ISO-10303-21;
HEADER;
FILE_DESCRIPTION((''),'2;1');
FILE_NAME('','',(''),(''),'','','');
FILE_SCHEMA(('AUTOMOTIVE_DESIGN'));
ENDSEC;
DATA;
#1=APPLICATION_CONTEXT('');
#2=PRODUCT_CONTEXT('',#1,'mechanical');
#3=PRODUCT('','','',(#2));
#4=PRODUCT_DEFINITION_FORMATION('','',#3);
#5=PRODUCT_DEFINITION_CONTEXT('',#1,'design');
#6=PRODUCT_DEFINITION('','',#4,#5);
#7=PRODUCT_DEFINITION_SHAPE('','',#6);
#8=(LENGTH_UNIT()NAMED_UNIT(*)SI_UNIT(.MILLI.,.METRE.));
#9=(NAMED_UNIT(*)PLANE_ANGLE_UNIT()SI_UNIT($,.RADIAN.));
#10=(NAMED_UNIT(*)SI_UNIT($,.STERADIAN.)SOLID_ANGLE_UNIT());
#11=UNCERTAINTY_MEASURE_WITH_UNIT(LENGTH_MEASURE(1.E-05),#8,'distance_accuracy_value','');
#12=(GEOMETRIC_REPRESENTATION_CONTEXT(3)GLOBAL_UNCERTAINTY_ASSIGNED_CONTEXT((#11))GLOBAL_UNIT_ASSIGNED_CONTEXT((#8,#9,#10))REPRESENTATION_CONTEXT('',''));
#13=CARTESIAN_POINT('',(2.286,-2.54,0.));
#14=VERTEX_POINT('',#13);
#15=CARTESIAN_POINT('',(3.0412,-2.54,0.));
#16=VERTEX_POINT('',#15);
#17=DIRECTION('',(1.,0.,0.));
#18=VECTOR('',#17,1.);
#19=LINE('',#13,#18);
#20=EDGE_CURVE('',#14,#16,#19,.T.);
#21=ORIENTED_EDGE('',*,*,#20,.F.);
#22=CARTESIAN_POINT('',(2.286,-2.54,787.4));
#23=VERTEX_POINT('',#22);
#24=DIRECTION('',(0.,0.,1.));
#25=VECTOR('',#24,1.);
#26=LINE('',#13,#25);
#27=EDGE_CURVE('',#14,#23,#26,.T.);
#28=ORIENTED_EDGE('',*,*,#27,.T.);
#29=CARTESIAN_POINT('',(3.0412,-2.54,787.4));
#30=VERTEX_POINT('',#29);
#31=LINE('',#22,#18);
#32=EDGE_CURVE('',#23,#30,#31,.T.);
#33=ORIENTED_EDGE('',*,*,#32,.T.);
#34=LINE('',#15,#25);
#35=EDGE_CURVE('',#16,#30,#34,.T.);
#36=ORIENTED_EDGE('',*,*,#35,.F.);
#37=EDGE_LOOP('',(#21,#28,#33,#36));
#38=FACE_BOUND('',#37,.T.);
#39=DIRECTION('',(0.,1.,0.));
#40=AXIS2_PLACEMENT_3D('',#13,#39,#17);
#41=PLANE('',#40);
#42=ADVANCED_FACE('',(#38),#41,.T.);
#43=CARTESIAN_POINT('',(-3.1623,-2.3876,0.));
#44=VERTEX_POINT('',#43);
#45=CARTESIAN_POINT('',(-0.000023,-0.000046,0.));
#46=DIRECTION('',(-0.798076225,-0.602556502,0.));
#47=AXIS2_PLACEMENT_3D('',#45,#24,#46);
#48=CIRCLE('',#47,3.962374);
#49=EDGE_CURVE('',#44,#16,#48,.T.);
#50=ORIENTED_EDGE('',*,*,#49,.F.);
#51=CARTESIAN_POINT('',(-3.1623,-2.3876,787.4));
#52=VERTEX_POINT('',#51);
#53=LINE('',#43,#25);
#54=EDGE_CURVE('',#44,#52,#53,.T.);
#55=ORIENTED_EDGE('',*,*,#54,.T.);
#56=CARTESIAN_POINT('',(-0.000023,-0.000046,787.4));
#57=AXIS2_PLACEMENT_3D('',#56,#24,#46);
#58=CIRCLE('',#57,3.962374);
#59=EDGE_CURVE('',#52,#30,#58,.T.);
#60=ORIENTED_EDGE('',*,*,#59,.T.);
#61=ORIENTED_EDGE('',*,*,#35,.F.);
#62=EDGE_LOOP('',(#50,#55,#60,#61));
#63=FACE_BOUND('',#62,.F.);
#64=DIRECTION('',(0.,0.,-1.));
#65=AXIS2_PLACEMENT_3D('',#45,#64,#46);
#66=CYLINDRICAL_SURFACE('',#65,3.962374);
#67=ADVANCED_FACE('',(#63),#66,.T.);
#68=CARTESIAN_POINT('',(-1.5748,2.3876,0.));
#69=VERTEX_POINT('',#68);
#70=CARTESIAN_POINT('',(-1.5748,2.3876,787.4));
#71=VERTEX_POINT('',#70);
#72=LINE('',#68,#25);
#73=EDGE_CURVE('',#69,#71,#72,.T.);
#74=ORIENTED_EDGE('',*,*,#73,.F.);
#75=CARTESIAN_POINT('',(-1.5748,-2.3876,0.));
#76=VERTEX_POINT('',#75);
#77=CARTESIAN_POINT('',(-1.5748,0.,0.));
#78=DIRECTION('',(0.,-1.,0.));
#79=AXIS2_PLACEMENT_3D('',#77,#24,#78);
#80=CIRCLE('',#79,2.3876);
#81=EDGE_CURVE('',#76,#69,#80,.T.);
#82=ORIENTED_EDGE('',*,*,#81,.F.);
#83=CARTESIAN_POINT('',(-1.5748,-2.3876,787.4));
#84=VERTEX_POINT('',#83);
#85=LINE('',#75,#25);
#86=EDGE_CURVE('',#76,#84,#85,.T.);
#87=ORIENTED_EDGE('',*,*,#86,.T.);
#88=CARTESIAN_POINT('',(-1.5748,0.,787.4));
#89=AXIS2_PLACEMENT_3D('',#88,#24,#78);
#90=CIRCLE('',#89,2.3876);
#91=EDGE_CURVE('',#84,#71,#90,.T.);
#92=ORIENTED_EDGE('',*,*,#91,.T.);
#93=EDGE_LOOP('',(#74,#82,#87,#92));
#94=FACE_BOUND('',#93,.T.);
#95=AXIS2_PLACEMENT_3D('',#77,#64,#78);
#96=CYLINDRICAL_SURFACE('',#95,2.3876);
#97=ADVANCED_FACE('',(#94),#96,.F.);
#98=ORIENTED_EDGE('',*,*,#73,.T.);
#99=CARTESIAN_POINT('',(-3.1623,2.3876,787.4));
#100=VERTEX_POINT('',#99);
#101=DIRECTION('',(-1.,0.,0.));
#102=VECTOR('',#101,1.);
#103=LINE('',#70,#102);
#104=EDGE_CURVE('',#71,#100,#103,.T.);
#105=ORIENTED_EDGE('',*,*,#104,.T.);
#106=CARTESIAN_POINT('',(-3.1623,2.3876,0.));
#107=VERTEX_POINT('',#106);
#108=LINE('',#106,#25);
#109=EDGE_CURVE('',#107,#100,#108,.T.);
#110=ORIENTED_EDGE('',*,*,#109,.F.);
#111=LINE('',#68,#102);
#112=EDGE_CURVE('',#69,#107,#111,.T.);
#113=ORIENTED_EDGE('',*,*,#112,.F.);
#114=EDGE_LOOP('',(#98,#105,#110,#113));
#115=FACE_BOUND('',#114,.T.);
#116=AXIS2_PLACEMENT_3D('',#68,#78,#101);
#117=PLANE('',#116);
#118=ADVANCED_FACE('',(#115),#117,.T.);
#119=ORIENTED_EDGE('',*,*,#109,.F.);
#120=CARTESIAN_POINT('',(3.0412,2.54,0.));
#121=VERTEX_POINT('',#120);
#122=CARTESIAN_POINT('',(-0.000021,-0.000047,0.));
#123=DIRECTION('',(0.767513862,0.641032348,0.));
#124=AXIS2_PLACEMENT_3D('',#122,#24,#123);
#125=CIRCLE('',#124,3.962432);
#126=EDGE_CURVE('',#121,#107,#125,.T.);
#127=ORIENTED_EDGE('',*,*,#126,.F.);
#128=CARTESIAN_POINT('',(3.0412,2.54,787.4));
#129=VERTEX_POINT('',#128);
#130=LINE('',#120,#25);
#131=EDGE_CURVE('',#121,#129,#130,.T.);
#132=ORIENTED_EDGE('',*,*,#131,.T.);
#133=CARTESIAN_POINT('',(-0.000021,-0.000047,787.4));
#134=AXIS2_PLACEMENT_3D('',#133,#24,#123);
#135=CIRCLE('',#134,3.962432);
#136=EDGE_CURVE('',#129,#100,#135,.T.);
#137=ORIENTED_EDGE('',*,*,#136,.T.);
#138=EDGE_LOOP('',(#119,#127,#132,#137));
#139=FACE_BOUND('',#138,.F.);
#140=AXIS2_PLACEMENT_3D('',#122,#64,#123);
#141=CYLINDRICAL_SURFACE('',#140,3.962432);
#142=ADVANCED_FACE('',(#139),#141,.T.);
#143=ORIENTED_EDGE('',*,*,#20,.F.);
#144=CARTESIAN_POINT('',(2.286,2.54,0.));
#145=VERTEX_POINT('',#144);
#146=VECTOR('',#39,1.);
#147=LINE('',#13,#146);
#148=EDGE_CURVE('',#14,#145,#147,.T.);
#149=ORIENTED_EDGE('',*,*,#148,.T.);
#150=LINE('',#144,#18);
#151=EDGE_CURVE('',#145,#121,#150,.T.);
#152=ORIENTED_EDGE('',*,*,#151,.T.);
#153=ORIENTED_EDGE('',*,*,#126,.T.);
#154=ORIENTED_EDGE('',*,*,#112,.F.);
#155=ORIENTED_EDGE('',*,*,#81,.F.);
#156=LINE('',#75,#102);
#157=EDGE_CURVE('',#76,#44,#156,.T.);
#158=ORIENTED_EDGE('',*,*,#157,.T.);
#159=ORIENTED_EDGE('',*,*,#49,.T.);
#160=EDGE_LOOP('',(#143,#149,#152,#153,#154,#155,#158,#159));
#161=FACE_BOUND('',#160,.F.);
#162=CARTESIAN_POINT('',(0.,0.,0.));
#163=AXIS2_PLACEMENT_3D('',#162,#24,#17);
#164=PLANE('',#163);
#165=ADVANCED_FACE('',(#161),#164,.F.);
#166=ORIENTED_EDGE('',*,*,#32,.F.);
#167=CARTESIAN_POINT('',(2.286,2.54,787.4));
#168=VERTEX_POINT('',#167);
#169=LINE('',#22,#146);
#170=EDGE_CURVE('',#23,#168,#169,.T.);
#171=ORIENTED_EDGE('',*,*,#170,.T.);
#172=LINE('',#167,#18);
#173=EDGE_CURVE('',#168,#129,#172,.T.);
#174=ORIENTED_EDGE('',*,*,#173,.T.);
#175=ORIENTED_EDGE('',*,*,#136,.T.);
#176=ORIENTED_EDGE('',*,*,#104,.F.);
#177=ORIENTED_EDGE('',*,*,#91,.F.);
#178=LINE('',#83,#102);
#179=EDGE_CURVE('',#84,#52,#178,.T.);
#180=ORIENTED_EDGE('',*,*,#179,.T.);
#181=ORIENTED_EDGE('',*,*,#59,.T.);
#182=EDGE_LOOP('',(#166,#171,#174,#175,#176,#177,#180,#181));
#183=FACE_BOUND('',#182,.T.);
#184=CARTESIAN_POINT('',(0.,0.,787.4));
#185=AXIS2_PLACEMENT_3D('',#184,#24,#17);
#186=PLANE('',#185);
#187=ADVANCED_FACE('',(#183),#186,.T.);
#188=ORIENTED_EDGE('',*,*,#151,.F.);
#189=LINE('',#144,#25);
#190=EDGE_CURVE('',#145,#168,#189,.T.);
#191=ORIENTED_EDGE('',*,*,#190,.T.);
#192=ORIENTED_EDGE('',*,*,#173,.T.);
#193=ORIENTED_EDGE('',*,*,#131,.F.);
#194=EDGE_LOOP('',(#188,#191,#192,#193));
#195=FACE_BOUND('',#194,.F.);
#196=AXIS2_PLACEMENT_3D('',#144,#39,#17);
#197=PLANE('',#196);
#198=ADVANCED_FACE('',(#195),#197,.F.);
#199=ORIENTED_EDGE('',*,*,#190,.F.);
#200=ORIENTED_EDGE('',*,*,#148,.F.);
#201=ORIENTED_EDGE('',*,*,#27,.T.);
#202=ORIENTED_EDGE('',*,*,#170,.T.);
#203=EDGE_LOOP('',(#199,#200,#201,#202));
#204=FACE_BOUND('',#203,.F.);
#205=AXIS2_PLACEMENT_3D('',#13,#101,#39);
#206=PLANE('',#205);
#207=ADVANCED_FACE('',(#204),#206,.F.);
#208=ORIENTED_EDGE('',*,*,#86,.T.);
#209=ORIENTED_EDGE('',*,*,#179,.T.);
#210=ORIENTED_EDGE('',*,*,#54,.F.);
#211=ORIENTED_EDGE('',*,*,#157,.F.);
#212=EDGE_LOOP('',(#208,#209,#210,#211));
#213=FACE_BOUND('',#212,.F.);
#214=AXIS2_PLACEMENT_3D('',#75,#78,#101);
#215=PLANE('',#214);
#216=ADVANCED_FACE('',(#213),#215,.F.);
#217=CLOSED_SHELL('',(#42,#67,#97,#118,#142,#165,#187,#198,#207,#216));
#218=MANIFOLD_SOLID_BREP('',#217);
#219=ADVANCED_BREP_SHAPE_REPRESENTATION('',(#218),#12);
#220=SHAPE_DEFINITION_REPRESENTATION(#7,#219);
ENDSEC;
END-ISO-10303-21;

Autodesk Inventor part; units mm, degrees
ref_plane "YZ Plane" through (0, 0, 0) normal (1, 0, 0) x (0, 1, 0)
ref_plane "XZ Plane" through (0, 0, 0) normal (0, 1, 0) x (-1, 0, 0)
ref_plane "XY Plane" through (0, 0, 0) normal (0, 0, 1) x (1, 0, 0)
sketch "Sketch1" plane through (0, 0, 0) normal (0, 0, 1) x (1, 0, 0)
  arc A0 (-1.5748, -2.3876) -> (-1.5748, 2.3876) centre (-1.5748, 0) ccw
  line L0 (-1.5748, 2.3876) -> (-3.1623, 2.3876)
  line L1 (-1.5748, -2.3876) -> (-3.1623, -2.3876)
  line L2 (2.286, -2.54) -> (2.286, 2.54)
  line L3 (2.286, 2.54) -> (3.0412, 2.54)
  line L4 (2.286, -2.54) -> (3.0412, -2.54)
  arc A1 (-3.1623, -2.3876) -> (3.0412, -2.54) centre (0, 0) ccw
  arc A2 (3.0412, 2.54) -> (-3.1623, 2.3876) centre (0, 0) ccw
  point P0 (2.286, 0)
  dimension "d2" = 1.5748
  dimension "d3" = 5.08
  dimension "d4" = 2.286
  dimension "d5" = 3.9624
  dimension "d13" = 3.9624
  dimension "d14" = 0.1524
  dimension "d15" = 2.3876
extrude "Extrusion1" add sketch "Sketch1" along normal blind 787.4
sketch "Sketch2" plane through (0, 0, 787.4) normal (0, 0, 1) x (1, 0, 0)
  arc A0 (-1.5748, -2.3876) -> (-1.5748, 2.3876) centre (-1.5748, 0) ccw projected
  line L0 (-1.5748, -2.3876) -> (-3.1623, -2.3876) projected
  arc A1 (-3.1623, -2.3876) -> (3.0412, -2.54) centre (0, 0) ccw projected
  line L1 (3.0412, -2.54) -> (2.286, -2.54) projected
  line L2 (2.286, -2.54) -> (2.286, 2.54) projected
  line L3 (2.286, 2.54) -> (3.0412, 2.54) projected
  arc A2 (3.0412, 2.54) -> (-3.1623, 2.3876) centre (0, 0) ccw projected
  line L4 (-3.1623, 2.3876) -> (-1.5748, 2.3876) projected
sketch "Sketch3" plane through (0, 0, 787.4) normal (0, 0, 1) x (1, 0, 0)
  arc A0 (-1.5748, -2.3876) -> (-1.5748, 2.3876) centre (-1.5748, 0) ccw projected
  line L0 (-1.5748, -2.3876) -> (-3.1623, -2.3876) projected
  arc A1 (-3.1623, -2.3876) -> (3.0412, -2.54) centre (0, 0) ccw projected
  line L1 (3.0412, -2.54) -> (2.286, -2.54) projected
  line L2 (2.286, -2.54) -> (2.286, 2.54) projected
  line L3 (2.286, 2.54) -> (3.0412, 2.54) projected
  arc A2 (3.0412, 2.54) -> (-3.1623, 2.3876) centre (0, 0) ccw projected
  line L4 (-3.1623, 2.3876) -> (-1.5748, 2.3876) projected
sketch "Sketch4" plane through (0, 0, 787.4) normal (0, 0, 1) x (1, 0, 0)
  arc A0 (-1.5748, -2.3876) -> (-1.5748, 2.3876) centre (-1.5748, 0) ccw projected
  line L0 (-1.5748, -2.3876) -> (-3.1623, -2.3876) projected
  arc A1 (-3.1623, -2.3876) -> (3.0412, -2.54) centre (0, 0) ccw projected
  line L1 (3.0412, -2.54) -> (2.286, -2.54) projected
  line L2 (2.286, -2.54) -> (2.286, 2.54) projected
  line L3 (2.286, 2.54) -> (3.0412, 2.54) projected
  arc A2 (3.0412, 2.54) -> (-3.1623, 2.3876) centre (0, 0) ccw projected
  line L4 (-3.1623, 2.3876) -> (-1.5748, 2.3876) projected
properties part number "thin rod" material "Polyethylene, High Density"
